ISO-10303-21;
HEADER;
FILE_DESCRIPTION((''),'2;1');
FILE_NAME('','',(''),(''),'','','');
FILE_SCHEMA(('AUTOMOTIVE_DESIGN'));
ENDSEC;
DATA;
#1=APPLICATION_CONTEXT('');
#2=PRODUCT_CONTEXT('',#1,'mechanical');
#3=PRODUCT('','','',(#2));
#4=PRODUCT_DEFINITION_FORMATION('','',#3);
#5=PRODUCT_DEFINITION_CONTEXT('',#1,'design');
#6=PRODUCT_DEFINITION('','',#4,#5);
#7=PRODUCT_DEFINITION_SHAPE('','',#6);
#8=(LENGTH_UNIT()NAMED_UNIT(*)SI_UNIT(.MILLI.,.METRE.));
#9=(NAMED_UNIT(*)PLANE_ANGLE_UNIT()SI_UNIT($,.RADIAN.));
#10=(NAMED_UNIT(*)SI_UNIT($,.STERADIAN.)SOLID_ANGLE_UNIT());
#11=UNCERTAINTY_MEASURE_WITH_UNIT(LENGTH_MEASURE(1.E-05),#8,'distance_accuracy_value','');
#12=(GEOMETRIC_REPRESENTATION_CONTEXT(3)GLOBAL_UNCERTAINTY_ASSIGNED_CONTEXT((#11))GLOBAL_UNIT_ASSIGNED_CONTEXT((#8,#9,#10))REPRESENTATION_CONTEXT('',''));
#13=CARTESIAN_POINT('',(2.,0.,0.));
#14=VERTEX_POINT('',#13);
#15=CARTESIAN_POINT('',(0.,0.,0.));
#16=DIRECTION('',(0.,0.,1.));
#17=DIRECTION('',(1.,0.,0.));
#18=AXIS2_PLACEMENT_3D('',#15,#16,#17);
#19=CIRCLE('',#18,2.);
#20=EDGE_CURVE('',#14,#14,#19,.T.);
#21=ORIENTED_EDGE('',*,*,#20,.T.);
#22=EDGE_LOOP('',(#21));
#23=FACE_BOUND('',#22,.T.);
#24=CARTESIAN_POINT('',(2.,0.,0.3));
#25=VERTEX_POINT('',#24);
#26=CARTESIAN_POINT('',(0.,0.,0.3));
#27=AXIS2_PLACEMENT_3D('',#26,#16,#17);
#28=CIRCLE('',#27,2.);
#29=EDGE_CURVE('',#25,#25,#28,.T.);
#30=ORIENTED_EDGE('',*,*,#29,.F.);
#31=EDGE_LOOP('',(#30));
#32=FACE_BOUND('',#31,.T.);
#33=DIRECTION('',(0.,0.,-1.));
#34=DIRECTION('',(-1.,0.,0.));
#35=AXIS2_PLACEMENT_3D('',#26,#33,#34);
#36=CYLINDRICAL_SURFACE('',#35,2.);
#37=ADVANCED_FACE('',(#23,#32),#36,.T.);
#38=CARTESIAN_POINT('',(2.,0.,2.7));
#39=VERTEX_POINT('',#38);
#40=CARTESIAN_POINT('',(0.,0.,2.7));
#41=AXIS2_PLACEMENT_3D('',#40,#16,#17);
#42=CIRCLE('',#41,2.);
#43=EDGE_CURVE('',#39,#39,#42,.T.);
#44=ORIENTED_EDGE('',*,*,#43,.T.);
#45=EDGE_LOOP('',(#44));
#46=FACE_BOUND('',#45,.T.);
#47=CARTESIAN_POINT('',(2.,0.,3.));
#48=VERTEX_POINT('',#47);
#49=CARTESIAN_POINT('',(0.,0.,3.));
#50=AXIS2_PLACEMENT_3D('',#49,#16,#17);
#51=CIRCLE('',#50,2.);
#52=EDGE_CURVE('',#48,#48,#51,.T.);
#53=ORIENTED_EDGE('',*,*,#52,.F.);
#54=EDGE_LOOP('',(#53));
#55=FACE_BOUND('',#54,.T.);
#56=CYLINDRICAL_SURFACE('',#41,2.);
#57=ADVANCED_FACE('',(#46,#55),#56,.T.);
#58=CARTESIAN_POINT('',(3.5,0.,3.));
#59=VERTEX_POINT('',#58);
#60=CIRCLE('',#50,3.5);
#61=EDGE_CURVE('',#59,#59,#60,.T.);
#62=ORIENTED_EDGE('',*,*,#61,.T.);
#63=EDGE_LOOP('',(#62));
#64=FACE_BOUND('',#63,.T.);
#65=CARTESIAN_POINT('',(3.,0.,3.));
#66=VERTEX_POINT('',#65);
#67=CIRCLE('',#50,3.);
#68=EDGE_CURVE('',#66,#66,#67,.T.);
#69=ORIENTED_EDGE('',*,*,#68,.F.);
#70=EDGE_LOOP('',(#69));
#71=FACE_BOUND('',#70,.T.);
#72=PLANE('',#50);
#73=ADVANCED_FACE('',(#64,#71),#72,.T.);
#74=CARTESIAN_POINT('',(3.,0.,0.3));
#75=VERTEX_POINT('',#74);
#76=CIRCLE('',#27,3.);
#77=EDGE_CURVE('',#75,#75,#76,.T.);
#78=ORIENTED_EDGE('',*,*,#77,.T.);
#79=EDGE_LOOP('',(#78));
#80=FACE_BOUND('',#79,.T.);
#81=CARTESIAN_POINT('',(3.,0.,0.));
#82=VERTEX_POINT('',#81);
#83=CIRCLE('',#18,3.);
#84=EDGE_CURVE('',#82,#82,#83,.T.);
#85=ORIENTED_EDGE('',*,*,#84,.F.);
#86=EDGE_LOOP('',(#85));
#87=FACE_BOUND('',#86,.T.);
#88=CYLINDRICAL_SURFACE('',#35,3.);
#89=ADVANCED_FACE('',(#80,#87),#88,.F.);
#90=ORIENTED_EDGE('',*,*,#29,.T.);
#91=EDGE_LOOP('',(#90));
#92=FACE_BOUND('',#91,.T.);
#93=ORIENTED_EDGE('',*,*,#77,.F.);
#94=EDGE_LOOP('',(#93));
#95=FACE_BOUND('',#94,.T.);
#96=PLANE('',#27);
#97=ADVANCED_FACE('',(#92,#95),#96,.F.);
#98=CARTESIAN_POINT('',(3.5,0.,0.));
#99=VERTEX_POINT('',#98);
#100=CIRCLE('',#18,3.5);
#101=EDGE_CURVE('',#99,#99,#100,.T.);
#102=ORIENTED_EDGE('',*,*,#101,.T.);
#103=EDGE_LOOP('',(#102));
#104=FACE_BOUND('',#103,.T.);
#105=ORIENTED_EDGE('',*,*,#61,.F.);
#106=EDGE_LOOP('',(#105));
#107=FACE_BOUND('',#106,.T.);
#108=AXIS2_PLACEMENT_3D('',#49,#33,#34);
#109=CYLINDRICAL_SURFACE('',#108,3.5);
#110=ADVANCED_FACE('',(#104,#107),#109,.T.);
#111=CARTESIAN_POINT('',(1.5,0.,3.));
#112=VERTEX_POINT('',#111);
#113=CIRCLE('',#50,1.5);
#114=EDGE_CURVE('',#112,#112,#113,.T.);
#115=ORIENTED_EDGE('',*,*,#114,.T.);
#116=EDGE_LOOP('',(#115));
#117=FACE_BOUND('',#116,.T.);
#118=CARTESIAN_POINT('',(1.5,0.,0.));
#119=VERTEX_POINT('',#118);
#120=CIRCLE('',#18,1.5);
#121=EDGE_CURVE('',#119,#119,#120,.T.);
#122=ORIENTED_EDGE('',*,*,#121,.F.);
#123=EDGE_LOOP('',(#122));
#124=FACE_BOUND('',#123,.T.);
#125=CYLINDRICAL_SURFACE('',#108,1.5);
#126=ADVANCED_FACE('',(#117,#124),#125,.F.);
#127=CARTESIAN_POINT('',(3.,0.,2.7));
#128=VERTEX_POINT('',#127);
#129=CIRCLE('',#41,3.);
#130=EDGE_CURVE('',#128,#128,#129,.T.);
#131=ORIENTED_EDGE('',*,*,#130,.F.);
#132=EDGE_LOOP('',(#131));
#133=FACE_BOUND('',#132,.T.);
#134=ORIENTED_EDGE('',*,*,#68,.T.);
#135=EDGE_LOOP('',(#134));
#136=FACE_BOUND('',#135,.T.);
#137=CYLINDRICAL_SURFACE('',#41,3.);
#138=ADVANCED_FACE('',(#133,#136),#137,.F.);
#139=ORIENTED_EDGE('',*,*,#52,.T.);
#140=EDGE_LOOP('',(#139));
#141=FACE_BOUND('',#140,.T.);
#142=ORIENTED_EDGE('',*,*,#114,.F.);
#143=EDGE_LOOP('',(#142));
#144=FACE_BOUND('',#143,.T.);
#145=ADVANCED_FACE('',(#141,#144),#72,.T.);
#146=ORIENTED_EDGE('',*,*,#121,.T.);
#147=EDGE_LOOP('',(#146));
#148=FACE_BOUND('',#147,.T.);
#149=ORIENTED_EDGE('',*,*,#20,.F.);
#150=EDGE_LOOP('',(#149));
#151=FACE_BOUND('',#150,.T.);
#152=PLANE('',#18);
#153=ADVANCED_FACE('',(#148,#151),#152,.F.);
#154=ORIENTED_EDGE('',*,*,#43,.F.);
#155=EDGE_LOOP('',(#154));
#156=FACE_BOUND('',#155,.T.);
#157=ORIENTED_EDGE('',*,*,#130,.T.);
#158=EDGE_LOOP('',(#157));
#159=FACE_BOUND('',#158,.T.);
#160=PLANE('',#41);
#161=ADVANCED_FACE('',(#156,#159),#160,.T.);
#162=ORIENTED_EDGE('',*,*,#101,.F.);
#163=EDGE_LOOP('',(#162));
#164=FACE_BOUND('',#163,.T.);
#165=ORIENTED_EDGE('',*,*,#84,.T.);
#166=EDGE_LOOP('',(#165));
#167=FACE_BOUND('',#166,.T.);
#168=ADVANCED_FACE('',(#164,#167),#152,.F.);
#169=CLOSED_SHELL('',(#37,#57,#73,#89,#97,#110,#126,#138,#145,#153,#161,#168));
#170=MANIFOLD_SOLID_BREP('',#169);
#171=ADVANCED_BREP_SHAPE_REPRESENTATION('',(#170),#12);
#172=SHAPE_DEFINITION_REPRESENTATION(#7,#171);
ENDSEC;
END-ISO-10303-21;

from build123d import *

# Parameters (mm, degrees)
SKETCH1_R           = 3.5
SKETCH1_R_2         = 1.5
BOSS_EXTRUDE1_DEPTH = 3
SKETCH2_R           = 3
SKETCH2_R_2         = 2
CUT_EXTRUDE1_DEPTH  = 0.3
CUT_EXTRUDE2_START  = -3
SKETCH2_2_R         = 3
SKETCH2_2_R_2       = 2
CUT_EXTRUDE2_DEPTH  = 0.3


with BuildPart() as part:
    # Sketch1 → Boss-Extrude1 (new body)
    with BuildSketch(Plane.XY):
        Circle(SKETCH1_R)
        Circle(SKETCH1_R_2, mode=Mode.SUBTRACT)
    extrude(amount=BOSS_EXTRUDE1_DEPTH)

    # Sketch2 → Cut-Extrude1 (cut)
    with BuildSketch(Plane.XY.offset(3)):
        Circle(SKETCH2_R)
        Circle(SKETCH2_R_2, mode=Mode.SUBTRACT)
    extrude(amount=-CUT_EXTRUDE1_DEPTH, mode=Mode.SUBTRACT)

    # Sketch2<2> → Cut-Extrude2 (cut)
    with BuildSketch(Plane.XY.offset(3).offset(CUT_EXTRUDE2_START)):
        Circle(SKETCH2_2_R)
        Circle(SKETCH2_2_R_2, mode=Mode.SUBTRACT)
    extrude(amount=CUT_EXTRUDE2_DEPTH, mode=Mode.SUBTRACT)


solid = part.part
